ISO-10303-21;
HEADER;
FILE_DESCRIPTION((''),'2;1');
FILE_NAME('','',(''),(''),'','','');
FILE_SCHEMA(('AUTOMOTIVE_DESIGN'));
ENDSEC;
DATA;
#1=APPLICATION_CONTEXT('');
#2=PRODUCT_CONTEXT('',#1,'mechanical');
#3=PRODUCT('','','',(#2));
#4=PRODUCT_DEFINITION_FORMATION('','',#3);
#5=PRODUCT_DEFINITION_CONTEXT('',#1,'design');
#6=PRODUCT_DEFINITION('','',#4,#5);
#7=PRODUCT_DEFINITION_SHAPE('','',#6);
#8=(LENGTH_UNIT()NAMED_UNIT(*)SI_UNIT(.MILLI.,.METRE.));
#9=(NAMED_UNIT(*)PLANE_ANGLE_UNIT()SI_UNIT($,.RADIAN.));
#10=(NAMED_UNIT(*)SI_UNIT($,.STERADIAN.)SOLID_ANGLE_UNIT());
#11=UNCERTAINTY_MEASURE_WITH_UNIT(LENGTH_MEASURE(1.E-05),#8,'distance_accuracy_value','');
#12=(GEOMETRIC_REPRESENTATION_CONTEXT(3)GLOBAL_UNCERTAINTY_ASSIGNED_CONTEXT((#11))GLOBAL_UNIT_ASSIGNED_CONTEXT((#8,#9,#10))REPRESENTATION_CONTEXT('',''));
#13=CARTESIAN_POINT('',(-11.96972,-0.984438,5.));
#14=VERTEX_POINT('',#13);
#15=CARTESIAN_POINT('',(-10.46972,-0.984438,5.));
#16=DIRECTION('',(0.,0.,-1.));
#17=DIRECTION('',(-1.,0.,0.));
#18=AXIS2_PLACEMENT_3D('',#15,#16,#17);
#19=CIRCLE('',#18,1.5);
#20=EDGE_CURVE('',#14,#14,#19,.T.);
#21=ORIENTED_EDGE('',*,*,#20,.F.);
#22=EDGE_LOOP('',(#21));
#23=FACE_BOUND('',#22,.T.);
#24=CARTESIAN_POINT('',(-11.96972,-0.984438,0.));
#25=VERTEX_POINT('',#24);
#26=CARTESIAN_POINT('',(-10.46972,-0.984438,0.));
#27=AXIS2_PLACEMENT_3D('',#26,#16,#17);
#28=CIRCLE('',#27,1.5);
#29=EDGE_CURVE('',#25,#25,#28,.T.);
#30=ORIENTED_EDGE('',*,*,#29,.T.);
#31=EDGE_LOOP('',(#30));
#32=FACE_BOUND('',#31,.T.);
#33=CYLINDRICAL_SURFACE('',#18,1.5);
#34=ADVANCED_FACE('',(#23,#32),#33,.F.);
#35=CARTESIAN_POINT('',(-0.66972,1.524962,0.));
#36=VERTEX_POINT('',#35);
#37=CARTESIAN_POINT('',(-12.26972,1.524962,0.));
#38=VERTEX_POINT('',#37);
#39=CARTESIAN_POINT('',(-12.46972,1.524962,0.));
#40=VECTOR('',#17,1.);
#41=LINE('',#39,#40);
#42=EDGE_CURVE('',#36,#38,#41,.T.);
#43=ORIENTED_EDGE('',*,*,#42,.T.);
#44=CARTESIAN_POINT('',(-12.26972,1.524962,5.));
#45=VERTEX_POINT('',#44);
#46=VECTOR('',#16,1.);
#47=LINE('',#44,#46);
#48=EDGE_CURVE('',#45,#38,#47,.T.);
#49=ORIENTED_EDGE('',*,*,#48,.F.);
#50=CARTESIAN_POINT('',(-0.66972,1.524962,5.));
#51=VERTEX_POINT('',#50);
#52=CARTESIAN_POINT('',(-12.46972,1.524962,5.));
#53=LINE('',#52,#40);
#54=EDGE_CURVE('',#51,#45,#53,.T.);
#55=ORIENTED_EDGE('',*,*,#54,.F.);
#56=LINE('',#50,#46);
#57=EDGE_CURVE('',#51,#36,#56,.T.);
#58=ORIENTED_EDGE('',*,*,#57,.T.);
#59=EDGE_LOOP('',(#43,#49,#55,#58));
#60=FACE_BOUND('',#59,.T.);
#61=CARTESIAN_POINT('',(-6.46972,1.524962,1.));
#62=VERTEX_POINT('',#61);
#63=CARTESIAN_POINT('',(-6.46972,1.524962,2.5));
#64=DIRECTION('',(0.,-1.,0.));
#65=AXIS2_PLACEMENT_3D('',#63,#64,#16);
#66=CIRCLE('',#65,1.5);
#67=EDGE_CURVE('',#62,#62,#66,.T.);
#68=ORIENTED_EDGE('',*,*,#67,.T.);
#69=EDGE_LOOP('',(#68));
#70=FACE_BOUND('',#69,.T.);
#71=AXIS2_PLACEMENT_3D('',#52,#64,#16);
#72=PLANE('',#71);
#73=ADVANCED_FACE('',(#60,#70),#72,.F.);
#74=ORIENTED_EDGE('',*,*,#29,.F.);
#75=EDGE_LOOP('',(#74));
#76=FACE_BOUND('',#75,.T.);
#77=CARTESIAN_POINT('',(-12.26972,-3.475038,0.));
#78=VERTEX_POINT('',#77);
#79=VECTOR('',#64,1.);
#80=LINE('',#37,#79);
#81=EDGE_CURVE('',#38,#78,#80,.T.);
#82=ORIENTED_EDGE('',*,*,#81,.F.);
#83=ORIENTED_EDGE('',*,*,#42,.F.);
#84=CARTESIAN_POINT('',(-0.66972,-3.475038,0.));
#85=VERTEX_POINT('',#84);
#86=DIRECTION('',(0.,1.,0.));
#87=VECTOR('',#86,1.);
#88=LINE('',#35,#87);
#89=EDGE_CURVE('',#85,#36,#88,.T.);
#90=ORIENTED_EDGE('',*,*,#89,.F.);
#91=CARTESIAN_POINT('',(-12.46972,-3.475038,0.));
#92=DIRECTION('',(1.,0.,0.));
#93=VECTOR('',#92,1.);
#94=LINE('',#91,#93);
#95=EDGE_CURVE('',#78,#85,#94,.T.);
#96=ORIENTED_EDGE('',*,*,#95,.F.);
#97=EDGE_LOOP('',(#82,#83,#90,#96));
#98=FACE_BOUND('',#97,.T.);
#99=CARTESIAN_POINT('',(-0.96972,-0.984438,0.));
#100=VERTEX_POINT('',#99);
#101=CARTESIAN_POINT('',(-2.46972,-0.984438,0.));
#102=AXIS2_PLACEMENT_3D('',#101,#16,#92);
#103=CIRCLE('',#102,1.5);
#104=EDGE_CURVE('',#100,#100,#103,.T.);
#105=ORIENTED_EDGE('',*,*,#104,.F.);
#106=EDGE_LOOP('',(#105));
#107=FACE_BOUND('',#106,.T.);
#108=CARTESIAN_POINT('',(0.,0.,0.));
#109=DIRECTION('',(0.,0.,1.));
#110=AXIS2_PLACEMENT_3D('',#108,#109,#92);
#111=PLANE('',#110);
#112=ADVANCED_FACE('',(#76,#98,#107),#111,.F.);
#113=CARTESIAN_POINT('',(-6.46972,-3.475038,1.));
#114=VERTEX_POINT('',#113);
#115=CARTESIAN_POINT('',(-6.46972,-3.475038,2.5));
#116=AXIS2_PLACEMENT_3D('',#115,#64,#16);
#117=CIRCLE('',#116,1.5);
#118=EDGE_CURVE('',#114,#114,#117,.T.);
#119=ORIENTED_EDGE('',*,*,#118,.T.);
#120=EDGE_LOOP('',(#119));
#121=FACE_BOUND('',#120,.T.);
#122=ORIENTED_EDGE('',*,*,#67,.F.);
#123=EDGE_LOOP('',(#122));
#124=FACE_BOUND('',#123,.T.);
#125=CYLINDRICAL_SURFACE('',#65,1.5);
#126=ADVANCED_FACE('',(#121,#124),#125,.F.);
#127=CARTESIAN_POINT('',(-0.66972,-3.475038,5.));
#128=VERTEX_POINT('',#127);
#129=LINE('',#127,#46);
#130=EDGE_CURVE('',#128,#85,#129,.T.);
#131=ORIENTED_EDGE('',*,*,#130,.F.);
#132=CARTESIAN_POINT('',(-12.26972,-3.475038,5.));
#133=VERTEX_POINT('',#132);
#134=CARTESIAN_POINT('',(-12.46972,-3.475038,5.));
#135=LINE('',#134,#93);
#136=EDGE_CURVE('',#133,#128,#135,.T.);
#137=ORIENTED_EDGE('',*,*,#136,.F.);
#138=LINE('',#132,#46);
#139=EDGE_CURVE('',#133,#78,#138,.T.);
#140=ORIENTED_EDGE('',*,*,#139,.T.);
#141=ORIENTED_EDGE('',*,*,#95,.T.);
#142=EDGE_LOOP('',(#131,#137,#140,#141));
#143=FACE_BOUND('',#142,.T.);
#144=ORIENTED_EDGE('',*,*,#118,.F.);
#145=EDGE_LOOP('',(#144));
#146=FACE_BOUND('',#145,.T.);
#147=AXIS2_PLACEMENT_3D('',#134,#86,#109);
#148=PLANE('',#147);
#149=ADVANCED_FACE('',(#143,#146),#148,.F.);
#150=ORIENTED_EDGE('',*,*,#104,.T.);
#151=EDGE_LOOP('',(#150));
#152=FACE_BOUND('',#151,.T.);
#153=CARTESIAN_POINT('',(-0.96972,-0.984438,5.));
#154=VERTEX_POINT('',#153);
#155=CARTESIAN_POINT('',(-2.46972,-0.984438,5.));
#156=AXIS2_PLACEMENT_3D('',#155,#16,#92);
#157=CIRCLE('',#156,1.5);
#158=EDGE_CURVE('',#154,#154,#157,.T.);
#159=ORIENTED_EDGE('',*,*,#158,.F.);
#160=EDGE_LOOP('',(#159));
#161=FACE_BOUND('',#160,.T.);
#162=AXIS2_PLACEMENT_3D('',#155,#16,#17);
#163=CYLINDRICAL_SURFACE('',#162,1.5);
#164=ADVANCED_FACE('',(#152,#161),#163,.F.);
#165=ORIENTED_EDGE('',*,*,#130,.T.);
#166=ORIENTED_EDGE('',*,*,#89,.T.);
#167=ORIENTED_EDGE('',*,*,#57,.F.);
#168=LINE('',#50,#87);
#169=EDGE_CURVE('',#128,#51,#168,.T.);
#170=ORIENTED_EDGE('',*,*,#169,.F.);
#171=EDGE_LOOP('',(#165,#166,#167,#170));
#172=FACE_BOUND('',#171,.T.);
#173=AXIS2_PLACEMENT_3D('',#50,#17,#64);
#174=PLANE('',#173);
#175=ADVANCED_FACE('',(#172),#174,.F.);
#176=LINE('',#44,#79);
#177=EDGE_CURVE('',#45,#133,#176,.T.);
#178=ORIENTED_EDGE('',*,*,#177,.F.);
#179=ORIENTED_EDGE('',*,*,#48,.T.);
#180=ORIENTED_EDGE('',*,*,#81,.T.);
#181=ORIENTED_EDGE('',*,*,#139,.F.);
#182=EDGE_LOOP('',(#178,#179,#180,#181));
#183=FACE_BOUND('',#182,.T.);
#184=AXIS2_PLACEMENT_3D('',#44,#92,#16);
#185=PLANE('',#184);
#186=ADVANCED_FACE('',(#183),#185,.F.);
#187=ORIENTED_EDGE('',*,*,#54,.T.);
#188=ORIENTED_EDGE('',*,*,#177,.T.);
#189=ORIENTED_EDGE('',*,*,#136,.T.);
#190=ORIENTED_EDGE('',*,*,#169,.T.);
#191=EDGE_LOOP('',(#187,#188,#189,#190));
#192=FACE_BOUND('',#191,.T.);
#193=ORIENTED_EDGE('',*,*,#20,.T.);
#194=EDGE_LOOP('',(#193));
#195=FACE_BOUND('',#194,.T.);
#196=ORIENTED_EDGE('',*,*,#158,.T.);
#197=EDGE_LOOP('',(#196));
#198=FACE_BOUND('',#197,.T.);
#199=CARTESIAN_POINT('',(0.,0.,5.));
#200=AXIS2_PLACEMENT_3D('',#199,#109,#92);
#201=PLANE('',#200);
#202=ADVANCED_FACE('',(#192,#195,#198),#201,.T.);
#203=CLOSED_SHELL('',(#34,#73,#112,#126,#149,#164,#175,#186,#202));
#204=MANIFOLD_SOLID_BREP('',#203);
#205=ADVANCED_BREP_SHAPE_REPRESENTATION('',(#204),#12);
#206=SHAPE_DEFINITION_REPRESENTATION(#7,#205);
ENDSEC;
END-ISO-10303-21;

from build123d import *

# Parameters (mm, degrees)
SKETCH1_W           = 12
SKETCH1_H           = 5
BOSS_EXTRUDE1_DEPTH = 5
SKETCH2_R           = 1.5
CUT_EXTRUDE1_DEPTH  = 15.335059136
SKETCH3_R           = 1.5
CUT_EXTRUDE2_DEPTH  = 14.87695255
MOVE_FACE1_BY       = 0.2
MOVE_FACE1_2_BY     = 0.2


with BuildPart() as part:
    # Sketch1 → Boss-Extrude1 (new body)
    with BuildSketch(Plane.XY):
        with Locations((-6.469720142, -0.975038364)):
            Rectangle(SKETCH1_W, SKETCH1_H)
    extrude(amount=BOSS_EXTRUDE1_DEPTH)

    # Sketch2 → Cut-Extrude1 (cut, through all)
    with BuildSketch(Plane.XZ.offset(3.475038364)):
        with Locations(Location((-6.469720142, 2.5, 0), (0, 0, 270))):
            Circle(SKETCH2_R)
    extrude(amount=-CUT_EXTRUDE1_DEPTH, mode=Mode.SUBTRACT)

    # Sketch3 → Cut-Extrude2 (cut, through all)
    with BuildSketch(Plane(origin=(0, 0, 0), x_dir=(-1, 0, 0), z_dir=(0, 0, -1))):
        with Locations((10.469720142, -0.98443785)):
            Circle(SKETCH3_R)
        with Locations(Location((2.469720142, -0.98443785, 0), (0, 0, 180))):
            Circle(SKETCH3_R)
    extrude(amount=-CUT_EXTRUDE2_DEPTH, mode=Mode.SUBTRACT)

    # Move Face1: a face moved inward by 0.2
    extrude(part.faces().sort_by_distance((-0.469720142, -0.975038364, 2.5))[0], amount=MOVE_FACE1_BY, dir=(-1, 0, 0), mode=Mode.SUBTRACT)

    # Move Face1 2: a face moved inward by 0.2
    extrude(part.faces().sort_by_distance((-12.469720142, -0.975038364, 2.5))[0], amount=MOVE_FACE1_2_BY, dir=(1, 0, 0), mode=Mode.SUBTRACT)


solid = part.part
